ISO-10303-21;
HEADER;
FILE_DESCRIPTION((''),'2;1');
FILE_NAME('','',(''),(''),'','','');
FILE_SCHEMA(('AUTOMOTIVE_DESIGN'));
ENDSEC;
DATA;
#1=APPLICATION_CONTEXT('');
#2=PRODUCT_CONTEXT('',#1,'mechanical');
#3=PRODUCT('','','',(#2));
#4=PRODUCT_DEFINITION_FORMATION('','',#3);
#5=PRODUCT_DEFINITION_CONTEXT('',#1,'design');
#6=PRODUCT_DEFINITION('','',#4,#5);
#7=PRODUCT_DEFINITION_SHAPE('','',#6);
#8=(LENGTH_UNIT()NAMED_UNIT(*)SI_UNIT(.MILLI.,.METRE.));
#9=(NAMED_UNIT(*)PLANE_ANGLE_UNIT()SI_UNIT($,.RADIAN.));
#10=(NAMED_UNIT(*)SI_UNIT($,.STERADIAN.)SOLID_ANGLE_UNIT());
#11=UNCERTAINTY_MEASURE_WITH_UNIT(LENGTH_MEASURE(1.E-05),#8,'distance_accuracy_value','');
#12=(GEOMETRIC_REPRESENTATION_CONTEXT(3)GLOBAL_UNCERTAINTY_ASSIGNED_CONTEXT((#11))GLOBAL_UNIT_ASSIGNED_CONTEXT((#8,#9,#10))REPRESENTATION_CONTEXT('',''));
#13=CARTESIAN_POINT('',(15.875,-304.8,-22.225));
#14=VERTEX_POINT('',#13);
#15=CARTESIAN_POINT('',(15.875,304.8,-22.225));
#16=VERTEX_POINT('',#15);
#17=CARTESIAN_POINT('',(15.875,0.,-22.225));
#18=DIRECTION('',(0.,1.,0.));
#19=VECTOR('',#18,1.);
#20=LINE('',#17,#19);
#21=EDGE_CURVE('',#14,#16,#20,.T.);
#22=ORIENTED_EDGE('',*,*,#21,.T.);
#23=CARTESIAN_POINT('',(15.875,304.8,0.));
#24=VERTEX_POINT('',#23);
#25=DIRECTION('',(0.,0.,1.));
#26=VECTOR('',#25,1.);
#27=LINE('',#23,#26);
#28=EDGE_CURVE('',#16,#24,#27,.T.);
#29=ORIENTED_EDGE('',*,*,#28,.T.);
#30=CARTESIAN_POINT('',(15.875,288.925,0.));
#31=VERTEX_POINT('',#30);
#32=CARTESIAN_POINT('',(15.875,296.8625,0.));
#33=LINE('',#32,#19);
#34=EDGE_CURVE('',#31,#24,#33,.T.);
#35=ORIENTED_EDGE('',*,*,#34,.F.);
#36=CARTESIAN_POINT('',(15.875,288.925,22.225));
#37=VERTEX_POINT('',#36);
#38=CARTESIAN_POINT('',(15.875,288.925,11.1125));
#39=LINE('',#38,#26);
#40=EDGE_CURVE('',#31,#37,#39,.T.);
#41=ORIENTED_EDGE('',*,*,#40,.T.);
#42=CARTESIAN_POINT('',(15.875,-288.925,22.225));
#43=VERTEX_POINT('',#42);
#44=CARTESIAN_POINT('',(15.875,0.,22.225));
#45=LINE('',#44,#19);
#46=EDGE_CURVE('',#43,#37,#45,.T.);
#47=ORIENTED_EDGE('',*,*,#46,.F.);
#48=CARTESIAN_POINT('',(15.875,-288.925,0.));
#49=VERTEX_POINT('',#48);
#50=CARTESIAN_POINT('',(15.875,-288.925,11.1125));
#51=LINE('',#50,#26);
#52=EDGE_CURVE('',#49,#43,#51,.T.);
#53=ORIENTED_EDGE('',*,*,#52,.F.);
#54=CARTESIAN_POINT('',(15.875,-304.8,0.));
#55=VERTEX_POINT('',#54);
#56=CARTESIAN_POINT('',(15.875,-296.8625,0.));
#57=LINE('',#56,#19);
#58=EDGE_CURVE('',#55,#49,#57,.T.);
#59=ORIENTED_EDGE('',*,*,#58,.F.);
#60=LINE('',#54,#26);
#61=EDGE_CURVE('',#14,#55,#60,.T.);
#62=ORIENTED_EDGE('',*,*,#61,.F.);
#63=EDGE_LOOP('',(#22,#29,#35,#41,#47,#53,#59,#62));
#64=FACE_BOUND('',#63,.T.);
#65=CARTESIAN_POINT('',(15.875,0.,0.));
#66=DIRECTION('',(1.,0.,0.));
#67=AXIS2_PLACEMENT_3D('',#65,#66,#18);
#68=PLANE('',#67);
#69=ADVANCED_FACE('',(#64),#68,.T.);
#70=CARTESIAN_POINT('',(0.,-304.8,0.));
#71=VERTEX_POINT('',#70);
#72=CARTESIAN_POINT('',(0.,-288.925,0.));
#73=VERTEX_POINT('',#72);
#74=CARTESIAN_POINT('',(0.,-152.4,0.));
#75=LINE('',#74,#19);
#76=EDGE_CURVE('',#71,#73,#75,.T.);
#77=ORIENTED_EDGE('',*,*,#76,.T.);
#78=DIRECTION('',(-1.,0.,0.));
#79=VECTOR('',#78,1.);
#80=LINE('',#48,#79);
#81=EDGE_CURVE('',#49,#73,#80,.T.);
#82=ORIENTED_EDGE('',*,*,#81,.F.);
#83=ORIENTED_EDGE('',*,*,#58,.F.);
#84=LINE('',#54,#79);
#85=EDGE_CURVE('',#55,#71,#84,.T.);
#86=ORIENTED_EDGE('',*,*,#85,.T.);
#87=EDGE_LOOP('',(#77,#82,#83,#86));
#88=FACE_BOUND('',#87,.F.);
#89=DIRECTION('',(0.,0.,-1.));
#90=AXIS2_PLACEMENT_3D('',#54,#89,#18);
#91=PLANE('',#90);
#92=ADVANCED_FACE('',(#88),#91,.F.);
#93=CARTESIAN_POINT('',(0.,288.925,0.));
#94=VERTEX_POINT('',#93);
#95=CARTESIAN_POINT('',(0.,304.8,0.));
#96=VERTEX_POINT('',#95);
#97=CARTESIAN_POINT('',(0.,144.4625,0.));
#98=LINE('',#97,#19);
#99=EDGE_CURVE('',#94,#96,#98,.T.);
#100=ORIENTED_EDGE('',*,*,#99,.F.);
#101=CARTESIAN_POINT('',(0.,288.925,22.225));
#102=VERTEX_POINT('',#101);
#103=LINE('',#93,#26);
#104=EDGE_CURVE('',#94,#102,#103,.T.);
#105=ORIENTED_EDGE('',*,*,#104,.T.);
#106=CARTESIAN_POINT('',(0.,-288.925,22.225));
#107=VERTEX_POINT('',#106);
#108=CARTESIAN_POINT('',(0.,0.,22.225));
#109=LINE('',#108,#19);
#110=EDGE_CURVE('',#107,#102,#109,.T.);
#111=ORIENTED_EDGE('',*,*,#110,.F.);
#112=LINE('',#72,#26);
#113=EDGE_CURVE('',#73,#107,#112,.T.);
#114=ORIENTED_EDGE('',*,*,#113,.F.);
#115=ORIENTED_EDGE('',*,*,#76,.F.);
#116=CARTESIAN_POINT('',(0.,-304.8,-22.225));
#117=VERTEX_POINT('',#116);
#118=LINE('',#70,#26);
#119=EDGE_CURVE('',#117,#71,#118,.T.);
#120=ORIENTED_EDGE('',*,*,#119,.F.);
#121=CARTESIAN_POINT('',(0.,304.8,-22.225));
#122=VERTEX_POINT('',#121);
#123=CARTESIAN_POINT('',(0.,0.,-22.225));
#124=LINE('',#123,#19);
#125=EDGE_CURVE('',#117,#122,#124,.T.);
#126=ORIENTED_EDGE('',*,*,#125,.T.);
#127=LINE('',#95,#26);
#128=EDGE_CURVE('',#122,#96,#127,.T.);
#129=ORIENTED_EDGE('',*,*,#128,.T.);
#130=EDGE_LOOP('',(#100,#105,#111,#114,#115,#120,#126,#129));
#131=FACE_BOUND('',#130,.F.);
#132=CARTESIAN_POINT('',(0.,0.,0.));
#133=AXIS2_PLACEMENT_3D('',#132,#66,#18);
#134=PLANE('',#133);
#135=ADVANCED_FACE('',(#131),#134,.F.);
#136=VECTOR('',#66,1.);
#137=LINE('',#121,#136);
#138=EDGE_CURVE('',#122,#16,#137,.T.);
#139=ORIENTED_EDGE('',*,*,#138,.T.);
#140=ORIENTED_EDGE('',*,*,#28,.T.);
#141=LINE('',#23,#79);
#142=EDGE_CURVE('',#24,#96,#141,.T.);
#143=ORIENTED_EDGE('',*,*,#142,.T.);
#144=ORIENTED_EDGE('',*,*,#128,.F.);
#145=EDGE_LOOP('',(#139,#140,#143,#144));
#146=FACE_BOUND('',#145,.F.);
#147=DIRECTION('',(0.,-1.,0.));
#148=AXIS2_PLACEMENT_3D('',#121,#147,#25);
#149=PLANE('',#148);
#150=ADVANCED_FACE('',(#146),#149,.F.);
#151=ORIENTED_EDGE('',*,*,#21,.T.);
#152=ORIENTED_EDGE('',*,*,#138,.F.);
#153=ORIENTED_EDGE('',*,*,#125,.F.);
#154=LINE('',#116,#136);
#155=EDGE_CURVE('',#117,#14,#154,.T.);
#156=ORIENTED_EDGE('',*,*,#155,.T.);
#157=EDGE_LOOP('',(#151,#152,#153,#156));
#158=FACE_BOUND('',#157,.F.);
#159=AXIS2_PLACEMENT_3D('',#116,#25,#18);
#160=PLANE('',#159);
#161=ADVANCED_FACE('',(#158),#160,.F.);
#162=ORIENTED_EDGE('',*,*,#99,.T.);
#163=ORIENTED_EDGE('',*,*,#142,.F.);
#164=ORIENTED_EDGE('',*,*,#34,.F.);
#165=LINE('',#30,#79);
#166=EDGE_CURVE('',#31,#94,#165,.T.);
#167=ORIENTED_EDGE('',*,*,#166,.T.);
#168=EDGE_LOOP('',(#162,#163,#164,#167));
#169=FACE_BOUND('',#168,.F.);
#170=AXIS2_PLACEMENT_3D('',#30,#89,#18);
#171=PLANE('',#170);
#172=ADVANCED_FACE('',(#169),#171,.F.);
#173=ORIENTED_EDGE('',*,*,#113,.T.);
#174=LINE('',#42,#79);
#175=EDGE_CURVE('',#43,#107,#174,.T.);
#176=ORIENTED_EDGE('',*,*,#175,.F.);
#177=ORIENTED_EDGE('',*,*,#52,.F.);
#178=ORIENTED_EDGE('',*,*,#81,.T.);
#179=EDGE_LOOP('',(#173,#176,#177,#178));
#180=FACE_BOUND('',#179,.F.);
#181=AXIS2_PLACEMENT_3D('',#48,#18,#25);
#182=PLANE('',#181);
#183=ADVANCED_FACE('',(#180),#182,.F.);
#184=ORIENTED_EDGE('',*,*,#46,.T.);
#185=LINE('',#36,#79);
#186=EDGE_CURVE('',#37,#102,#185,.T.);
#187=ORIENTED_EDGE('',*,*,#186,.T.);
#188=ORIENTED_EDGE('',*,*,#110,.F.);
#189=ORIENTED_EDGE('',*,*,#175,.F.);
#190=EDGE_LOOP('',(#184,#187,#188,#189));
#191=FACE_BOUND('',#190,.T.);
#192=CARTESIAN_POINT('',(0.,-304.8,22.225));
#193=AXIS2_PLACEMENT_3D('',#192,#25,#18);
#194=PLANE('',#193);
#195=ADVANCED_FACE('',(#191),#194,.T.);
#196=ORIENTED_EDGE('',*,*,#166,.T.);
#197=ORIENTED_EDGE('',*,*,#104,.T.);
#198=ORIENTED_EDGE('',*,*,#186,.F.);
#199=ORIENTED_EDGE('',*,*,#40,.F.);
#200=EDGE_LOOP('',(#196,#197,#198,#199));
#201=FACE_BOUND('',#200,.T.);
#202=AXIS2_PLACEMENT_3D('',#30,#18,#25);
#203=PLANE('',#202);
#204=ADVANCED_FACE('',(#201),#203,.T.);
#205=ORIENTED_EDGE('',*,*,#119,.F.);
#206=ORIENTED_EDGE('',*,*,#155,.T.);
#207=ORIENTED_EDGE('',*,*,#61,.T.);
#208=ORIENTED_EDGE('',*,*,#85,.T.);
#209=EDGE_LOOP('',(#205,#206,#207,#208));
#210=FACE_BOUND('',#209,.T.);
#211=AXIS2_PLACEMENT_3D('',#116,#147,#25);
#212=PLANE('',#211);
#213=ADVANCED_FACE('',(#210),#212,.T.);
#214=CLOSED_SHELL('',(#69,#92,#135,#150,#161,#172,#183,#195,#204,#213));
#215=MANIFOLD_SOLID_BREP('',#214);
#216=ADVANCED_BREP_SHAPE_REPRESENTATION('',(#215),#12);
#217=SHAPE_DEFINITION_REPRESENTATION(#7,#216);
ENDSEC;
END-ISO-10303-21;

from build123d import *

# Parameters (mm, degrees)
F0_W     = 609.6
F0_H     = 44.45
F1_DEPTH = 15.875
F2_W     = 15.875
F2_H     = 22.225
F3_DEPTH = 15.876


with BuildPart() as f1:
    # F0 (on Right) → F1 (new body)
    with BuildSketch(Plane.YZ):
        Rectangle(F0_W, F0_H)
    extrude(amount=F1_DEPTH)

    # F2 (on face) → F3 (cut, through all)
    with BuildSketch(Plane.YZ.offset(15.875)):
        with Locations((-296.8625, 11.1125)):
            Rectangle(F2_W, F2_H)
        with Locations((296.8625, 11.1125)):
            Rectangle(F2_W, F2_H)
    extrude(amount=-F3_DEPTH, mode=Mode.SUBTRACT)


solid = f1.part
